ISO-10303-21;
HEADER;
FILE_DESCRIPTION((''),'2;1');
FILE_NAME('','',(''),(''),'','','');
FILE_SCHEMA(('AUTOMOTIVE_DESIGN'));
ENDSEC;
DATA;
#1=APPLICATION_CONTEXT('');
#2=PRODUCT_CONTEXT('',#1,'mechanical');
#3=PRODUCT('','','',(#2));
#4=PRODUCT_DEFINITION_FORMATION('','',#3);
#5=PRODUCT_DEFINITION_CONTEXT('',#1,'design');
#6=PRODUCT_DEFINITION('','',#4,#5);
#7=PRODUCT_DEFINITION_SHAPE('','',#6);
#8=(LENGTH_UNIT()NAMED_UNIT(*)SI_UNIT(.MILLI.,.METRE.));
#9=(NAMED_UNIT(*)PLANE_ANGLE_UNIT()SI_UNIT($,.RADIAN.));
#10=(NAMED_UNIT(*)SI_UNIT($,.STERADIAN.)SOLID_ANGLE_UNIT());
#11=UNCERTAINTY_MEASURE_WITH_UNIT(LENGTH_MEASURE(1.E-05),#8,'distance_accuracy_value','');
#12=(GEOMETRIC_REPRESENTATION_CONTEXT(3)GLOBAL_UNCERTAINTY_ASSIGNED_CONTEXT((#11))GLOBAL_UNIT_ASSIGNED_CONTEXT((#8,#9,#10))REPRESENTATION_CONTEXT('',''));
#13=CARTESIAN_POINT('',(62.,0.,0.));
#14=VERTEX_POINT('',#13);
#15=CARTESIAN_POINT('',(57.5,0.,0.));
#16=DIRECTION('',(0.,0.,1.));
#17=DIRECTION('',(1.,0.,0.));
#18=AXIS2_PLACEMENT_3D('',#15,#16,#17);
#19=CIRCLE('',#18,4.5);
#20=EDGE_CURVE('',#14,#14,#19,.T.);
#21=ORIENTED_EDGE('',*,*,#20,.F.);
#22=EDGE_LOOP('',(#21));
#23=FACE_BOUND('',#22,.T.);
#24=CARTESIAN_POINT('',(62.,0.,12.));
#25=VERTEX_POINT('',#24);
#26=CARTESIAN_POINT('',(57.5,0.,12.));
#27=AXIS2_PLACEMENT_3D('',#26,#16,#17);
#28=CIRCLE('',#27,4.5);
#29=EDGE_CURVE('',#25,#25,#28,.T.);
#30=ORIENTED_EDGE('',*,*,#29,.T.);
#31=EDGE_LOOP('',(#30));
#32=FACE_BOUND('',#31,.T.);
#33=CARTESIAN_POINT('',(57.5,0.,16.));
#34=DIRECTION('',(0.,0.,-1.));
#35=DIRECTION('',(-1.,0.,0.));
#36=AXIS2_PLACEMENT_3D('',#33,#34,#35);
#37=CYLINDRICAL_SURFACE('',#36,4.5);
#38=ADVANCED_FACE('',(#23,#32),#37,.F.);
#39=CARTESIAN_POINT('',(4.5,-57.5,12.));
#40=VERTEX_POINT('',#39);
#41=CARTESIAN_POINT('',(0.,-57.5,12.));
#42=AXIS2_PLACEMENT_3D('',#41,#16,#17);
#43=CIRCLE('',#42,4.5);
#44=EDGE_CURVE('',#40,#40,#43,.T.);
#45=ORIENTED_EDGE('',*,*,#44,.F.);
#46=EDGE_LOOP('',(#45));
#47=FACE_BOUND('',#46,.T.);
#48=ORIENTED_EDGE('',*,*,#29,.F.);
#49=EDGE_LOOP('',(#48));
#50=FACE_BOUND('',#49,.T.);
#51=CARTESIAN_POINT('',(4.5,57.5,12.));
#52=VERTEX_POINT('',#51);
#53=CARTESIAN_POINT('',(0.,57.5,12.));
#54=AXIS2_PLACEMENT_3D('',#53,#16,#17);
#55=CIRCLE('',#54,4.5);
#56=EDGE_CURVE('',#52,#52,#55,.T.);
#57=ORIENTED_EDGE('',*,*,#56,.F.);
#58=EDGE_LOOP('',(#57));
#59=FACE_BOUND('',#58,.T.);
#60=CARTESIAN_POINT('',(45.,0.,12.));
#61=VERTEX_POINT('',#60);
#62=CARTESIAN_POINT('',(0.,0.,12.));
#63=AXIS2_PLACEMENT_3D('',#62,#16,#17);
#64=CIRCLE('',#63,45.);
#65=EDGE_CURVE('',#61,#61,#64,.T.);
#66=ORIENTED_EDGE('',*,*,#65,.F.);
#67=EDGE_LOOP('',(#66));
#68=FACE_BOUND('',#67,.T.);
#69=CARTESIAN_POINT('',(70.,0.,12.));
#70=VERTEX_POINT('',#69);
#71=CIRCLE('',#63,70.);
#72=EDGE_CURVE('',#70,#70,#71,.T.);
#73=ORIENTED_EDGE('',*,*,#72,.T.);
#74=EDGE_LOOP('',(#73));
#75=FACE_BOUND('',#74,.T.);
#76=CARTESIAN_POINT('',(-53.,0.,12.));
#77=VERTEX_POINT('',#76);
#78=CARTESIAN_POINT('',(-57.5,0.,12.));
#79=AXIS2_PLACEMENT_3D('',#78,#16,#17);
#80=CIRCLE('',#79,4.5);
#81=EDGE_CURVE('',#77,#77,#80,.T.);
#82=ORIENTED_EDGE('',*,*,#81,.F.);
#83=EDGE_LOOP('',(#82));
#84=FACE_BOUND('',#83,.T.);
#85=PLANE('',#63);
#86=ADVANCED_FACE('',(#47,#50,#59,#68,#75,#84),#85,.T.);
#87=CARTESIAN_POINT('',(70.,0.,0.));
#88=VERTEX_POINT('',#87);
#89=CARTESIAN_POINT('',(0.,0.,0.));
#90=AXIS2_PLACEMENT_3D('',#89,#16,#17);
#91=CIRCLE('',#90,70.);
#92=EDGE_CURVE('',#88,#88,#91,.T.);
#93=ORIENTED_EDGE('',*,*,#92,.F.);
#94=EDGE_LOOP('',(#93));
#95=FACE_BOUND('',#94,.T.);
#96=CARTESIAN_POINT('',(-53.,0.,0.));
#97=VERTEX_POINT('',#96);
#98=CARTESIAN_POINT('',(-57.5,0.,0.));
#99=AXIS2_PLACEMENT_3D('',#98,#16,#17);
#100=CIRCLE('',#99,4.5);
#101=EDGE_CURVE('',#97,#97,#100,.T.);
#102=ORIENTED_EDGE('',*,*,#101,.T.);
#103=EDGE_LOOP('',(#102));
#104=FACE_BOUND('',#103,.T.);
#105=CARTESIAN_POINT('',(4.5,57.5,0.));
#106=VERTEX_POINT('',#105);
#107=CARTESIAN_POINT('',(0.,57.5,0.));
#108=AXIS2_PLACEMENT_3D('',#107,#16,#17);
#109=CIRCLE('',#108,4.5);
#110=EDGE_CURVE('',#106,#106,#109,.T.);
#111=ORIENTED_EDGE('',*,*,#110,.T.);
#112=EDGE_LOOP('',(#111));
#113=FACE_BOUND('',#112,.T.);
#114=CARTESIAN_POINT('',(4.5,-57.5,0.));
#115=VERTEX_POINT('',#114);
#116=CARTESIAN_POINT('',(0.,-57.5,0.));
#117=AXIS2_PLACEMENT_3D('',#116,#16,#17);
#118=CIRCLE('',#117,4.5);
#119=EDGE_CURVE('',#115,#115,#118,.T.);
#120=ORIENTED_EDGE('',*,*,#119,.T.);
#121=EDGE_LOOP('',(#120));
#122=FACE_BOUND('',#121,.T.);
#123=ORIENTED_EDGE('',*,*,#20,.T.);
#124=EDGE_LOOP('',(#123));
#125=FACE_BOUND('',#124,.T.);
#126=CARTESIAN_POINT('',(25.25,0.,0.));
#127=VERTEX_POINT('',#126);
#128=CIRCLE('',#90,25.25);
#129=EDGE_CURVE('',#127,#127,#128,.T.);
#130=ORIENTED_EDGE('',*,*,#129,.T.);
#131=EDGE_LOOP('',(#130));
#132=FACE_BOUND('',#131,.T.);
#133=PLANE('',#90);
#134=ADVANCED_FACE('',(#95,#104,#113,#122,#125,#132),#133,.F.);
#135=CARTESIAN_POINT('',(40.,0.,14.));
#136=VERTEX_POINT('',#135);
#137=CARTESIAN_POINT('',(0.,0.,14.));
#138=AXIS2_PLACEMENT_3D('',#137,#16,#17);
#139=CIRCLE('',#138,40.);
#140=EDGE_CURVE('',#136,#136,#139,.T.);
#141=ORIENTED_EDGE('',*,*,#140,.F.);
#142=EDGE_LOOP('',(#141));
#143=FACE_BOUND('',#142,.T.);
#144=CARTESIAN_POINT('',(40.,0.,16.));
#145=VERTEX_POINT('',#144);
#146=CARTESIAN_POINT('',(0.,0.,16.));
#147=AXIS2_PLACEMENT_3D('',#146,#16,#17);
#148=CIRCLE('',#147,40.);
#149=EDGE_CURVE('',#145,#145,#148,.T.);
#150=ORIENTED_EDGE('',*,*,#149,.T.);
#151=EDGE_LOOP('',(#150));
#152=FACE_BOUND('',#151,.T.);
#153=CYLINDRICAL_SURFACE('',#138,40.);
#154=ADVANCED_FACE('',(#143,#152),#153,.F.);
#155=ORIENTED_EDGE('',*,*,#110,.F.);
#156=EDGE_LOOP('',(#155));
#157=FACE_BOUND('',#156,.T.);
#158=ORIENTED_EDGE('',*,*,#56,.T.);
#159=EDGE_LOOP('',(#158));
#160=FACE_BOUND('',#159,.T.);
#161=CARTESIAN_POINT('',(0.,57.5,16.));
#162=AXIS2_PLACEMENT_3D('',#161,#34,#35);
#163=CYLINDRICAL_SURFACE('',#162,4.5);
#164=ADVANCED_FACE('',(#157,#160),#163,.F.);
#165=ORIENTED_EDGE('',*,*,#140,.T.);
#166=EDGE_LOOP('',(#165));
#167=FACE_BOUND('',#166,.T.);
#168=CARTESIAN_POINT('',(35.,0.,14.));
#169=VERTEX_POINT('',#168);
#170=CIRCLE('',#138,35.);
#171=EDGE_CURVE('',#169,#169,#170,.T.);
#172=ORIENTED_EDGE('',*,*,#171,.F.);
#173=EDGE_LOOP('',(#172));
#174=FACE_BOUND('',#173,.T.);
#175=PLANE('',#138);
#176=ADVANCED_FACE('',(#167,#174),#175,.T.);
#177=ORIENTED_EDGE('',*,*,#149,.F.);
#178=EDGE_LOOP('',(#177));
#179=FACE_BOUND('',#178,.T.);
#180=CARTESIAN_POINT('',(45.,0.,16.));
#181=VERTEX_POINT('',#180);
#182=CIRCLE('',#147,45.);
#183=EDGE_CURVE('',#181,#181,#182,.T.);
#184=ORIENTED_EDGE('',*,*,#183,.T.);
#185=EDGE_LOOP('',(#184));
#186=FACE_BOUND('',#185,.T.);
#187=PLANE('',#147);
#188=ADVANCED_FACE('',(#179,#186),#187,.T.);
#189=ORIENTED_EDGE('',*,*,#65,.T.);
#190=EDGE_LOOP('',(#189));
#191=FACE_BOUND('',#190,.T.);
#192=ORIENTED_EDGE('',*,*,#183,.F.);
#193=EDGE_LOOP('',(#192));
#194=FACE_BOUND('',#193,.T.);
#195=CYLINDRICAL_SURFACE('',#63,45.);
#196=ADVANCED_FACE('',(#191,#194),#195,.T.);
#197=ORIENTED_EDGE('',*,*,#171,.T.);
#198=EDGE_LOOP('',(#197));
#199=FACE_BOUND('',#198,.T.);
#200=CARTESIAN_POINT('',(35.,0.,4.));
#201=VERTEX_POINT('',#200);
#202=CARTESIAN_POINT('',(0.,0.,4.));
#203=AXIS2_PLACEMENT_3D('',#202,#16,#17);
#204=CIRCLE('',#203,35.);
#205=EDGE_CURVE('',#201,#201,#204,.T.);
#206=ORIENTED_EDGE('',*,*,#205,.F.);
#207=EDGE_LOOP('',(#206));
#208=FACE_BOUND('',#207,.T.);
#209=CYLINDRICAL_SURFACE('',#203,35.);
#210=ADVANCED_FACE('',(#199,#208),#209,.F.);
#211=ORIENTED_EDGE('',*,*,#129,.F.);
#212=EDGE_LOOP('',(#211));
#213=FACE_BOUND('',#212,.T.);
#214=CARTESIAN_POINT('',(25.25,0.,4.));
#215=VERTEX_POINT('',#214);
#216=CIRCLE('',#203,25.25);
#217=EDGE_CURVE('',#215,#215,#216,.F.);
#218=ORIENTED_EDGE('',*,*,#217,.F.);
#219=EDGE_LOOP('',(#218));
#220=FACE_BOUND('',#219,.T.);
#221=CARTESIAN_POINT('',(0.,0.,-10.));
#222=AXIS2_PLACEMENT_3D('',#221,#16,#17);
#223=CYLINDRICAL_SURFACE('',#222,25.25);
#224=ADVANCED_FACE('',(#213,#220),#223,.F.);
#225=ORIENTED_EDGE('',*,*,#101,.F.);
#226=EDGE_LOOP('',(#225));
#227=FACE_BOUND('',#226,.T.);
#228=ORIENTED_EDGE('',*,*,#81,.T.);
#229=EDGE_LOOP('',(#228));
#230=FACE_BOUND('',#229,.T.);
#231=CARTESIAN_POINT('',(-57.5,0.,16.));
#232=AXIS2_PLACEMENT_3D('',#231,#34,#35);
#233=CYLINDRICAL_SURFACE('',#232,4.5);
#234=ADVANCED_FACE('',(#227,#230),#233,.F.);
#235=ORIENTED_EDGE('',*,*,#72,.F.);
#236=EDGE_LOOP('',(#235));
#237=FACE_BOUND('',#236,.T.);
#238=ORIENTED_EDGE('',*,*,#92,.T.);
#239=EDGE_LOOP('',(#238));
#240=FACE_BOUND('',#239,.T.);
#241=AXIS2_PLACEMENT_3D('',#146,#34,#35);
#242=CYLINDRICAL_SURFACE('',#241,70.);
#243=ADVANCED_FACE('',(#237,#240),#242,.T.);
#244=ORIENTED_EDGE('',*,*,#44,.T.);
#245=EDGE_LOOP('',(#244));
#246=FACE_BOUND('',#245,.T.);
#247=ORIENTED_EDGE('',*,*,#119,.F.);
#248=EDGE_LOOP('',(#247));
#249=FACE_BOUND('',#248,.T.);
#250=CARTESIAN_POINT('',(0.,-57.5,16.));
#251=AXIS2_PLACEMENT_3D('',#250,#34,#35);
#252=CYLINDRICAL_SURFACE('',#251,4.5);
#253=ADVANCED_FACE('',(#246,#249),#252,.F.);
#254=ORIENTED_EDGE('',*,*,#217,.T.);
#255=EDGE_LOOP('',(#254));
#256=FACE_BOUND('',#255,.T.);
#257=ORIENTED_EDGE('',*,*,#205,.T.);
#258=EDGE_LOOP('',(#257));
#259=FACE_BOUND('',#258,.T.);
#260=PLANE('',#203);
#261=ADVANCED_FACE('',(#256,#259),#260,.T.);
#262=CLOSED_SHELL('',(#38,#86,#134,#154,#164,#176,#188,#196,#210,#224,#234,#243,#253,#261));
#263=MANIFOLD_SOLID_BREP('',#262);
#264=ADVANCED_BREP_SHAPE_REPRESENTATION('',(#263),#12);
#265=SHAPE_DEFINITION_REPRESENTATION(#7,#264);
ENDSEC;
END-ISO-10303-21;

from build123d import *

# Parameters (mm, degrees)
SKETCH1_R           = 70
SKETCH1_R_2         = 4.5
BOSS_EXTRUDE1_DEPTH = 16
CUT_EXTRUDE1_START  = -4
SKETCH2_R           = 70
SKETCH2_R_2         = 45
CUT_EXTRUDE1_DEPTH  = 4
SKETCH3_R           = 40
CUT_EXTRUDE2_DEPTH  = 2
SKETCH4_R           = 25.25
CUT_EXTRUDE3_DEPTH  = 24
SKETCH7_R           = 35
CUT_EXTRUDE5_DEPTH  = 10


with BuildPart() as part:
    # Sketch1 → Boss-Extrude1 (new body)
    with BuildSketch(Plane.XY):
        Circle(SKETCH1_R)
        with Locations((0, 57.5)):
            Circle(SKETCH1_R_2, mode=Mode.SUBTRACT)
        with Locations((57.5, 0)):
            Circle(SKETCH1_R_2, mode=Mode.SUBTRACT)
        with Locations((0, -57.5)):
            Circle(SKETCH1_R_2, mode=Mode.SUBTRACT)
        with Locations((-57.5, 0)):
            Circle(SKETCH1_R_2, mode=Mode.SUBTRACT)
    extrude(amount=BOSS_EXTRUDE1_DEPTH)

    # Sketch2 → Cut-Extrude1 (cut)
    with BuildSketch(Plane.XY.offset(16).offset(CUT_EXTRUDE1_START)):
        Circle(SKETCH2_R)
        Circle(SKETCH2_R_2, mode=Mode.SUBTRACT)
    extrude(amount=CUT_EXTRUDE1_DEPTH, mode=Mode.SUBTRACT)

    # Sketch3 → Cut-Extrude2 (cut)
    with BuildSketch(Plane.XY.offset(16)):
        Circle(SKETCH3_R)
    extrude(amount=-CUT_EXTRUDE2_DEPTH, mode=Mode.SUBTRACT)

    # Sketch4 → Cut-Extrude3 (cut)
    with BuildSketch(Plane.XY.offset(14)):
        Circle(SKETCH4_R)
    extrude(amount=-CUT_EXTRUDE3_DEPTH, mode=Mode.SUBTRACT)

    # Sketch7 → Cut-Extrude5 (cut)
    with BuildSketch(Plane.XY.offset(14)):
        Circle(SKETCH7_R)
    extrude(amount=-CUT_EXTRUDE5_DEPTH, mode=Mode.SUBTRACT)


solid = part.part
